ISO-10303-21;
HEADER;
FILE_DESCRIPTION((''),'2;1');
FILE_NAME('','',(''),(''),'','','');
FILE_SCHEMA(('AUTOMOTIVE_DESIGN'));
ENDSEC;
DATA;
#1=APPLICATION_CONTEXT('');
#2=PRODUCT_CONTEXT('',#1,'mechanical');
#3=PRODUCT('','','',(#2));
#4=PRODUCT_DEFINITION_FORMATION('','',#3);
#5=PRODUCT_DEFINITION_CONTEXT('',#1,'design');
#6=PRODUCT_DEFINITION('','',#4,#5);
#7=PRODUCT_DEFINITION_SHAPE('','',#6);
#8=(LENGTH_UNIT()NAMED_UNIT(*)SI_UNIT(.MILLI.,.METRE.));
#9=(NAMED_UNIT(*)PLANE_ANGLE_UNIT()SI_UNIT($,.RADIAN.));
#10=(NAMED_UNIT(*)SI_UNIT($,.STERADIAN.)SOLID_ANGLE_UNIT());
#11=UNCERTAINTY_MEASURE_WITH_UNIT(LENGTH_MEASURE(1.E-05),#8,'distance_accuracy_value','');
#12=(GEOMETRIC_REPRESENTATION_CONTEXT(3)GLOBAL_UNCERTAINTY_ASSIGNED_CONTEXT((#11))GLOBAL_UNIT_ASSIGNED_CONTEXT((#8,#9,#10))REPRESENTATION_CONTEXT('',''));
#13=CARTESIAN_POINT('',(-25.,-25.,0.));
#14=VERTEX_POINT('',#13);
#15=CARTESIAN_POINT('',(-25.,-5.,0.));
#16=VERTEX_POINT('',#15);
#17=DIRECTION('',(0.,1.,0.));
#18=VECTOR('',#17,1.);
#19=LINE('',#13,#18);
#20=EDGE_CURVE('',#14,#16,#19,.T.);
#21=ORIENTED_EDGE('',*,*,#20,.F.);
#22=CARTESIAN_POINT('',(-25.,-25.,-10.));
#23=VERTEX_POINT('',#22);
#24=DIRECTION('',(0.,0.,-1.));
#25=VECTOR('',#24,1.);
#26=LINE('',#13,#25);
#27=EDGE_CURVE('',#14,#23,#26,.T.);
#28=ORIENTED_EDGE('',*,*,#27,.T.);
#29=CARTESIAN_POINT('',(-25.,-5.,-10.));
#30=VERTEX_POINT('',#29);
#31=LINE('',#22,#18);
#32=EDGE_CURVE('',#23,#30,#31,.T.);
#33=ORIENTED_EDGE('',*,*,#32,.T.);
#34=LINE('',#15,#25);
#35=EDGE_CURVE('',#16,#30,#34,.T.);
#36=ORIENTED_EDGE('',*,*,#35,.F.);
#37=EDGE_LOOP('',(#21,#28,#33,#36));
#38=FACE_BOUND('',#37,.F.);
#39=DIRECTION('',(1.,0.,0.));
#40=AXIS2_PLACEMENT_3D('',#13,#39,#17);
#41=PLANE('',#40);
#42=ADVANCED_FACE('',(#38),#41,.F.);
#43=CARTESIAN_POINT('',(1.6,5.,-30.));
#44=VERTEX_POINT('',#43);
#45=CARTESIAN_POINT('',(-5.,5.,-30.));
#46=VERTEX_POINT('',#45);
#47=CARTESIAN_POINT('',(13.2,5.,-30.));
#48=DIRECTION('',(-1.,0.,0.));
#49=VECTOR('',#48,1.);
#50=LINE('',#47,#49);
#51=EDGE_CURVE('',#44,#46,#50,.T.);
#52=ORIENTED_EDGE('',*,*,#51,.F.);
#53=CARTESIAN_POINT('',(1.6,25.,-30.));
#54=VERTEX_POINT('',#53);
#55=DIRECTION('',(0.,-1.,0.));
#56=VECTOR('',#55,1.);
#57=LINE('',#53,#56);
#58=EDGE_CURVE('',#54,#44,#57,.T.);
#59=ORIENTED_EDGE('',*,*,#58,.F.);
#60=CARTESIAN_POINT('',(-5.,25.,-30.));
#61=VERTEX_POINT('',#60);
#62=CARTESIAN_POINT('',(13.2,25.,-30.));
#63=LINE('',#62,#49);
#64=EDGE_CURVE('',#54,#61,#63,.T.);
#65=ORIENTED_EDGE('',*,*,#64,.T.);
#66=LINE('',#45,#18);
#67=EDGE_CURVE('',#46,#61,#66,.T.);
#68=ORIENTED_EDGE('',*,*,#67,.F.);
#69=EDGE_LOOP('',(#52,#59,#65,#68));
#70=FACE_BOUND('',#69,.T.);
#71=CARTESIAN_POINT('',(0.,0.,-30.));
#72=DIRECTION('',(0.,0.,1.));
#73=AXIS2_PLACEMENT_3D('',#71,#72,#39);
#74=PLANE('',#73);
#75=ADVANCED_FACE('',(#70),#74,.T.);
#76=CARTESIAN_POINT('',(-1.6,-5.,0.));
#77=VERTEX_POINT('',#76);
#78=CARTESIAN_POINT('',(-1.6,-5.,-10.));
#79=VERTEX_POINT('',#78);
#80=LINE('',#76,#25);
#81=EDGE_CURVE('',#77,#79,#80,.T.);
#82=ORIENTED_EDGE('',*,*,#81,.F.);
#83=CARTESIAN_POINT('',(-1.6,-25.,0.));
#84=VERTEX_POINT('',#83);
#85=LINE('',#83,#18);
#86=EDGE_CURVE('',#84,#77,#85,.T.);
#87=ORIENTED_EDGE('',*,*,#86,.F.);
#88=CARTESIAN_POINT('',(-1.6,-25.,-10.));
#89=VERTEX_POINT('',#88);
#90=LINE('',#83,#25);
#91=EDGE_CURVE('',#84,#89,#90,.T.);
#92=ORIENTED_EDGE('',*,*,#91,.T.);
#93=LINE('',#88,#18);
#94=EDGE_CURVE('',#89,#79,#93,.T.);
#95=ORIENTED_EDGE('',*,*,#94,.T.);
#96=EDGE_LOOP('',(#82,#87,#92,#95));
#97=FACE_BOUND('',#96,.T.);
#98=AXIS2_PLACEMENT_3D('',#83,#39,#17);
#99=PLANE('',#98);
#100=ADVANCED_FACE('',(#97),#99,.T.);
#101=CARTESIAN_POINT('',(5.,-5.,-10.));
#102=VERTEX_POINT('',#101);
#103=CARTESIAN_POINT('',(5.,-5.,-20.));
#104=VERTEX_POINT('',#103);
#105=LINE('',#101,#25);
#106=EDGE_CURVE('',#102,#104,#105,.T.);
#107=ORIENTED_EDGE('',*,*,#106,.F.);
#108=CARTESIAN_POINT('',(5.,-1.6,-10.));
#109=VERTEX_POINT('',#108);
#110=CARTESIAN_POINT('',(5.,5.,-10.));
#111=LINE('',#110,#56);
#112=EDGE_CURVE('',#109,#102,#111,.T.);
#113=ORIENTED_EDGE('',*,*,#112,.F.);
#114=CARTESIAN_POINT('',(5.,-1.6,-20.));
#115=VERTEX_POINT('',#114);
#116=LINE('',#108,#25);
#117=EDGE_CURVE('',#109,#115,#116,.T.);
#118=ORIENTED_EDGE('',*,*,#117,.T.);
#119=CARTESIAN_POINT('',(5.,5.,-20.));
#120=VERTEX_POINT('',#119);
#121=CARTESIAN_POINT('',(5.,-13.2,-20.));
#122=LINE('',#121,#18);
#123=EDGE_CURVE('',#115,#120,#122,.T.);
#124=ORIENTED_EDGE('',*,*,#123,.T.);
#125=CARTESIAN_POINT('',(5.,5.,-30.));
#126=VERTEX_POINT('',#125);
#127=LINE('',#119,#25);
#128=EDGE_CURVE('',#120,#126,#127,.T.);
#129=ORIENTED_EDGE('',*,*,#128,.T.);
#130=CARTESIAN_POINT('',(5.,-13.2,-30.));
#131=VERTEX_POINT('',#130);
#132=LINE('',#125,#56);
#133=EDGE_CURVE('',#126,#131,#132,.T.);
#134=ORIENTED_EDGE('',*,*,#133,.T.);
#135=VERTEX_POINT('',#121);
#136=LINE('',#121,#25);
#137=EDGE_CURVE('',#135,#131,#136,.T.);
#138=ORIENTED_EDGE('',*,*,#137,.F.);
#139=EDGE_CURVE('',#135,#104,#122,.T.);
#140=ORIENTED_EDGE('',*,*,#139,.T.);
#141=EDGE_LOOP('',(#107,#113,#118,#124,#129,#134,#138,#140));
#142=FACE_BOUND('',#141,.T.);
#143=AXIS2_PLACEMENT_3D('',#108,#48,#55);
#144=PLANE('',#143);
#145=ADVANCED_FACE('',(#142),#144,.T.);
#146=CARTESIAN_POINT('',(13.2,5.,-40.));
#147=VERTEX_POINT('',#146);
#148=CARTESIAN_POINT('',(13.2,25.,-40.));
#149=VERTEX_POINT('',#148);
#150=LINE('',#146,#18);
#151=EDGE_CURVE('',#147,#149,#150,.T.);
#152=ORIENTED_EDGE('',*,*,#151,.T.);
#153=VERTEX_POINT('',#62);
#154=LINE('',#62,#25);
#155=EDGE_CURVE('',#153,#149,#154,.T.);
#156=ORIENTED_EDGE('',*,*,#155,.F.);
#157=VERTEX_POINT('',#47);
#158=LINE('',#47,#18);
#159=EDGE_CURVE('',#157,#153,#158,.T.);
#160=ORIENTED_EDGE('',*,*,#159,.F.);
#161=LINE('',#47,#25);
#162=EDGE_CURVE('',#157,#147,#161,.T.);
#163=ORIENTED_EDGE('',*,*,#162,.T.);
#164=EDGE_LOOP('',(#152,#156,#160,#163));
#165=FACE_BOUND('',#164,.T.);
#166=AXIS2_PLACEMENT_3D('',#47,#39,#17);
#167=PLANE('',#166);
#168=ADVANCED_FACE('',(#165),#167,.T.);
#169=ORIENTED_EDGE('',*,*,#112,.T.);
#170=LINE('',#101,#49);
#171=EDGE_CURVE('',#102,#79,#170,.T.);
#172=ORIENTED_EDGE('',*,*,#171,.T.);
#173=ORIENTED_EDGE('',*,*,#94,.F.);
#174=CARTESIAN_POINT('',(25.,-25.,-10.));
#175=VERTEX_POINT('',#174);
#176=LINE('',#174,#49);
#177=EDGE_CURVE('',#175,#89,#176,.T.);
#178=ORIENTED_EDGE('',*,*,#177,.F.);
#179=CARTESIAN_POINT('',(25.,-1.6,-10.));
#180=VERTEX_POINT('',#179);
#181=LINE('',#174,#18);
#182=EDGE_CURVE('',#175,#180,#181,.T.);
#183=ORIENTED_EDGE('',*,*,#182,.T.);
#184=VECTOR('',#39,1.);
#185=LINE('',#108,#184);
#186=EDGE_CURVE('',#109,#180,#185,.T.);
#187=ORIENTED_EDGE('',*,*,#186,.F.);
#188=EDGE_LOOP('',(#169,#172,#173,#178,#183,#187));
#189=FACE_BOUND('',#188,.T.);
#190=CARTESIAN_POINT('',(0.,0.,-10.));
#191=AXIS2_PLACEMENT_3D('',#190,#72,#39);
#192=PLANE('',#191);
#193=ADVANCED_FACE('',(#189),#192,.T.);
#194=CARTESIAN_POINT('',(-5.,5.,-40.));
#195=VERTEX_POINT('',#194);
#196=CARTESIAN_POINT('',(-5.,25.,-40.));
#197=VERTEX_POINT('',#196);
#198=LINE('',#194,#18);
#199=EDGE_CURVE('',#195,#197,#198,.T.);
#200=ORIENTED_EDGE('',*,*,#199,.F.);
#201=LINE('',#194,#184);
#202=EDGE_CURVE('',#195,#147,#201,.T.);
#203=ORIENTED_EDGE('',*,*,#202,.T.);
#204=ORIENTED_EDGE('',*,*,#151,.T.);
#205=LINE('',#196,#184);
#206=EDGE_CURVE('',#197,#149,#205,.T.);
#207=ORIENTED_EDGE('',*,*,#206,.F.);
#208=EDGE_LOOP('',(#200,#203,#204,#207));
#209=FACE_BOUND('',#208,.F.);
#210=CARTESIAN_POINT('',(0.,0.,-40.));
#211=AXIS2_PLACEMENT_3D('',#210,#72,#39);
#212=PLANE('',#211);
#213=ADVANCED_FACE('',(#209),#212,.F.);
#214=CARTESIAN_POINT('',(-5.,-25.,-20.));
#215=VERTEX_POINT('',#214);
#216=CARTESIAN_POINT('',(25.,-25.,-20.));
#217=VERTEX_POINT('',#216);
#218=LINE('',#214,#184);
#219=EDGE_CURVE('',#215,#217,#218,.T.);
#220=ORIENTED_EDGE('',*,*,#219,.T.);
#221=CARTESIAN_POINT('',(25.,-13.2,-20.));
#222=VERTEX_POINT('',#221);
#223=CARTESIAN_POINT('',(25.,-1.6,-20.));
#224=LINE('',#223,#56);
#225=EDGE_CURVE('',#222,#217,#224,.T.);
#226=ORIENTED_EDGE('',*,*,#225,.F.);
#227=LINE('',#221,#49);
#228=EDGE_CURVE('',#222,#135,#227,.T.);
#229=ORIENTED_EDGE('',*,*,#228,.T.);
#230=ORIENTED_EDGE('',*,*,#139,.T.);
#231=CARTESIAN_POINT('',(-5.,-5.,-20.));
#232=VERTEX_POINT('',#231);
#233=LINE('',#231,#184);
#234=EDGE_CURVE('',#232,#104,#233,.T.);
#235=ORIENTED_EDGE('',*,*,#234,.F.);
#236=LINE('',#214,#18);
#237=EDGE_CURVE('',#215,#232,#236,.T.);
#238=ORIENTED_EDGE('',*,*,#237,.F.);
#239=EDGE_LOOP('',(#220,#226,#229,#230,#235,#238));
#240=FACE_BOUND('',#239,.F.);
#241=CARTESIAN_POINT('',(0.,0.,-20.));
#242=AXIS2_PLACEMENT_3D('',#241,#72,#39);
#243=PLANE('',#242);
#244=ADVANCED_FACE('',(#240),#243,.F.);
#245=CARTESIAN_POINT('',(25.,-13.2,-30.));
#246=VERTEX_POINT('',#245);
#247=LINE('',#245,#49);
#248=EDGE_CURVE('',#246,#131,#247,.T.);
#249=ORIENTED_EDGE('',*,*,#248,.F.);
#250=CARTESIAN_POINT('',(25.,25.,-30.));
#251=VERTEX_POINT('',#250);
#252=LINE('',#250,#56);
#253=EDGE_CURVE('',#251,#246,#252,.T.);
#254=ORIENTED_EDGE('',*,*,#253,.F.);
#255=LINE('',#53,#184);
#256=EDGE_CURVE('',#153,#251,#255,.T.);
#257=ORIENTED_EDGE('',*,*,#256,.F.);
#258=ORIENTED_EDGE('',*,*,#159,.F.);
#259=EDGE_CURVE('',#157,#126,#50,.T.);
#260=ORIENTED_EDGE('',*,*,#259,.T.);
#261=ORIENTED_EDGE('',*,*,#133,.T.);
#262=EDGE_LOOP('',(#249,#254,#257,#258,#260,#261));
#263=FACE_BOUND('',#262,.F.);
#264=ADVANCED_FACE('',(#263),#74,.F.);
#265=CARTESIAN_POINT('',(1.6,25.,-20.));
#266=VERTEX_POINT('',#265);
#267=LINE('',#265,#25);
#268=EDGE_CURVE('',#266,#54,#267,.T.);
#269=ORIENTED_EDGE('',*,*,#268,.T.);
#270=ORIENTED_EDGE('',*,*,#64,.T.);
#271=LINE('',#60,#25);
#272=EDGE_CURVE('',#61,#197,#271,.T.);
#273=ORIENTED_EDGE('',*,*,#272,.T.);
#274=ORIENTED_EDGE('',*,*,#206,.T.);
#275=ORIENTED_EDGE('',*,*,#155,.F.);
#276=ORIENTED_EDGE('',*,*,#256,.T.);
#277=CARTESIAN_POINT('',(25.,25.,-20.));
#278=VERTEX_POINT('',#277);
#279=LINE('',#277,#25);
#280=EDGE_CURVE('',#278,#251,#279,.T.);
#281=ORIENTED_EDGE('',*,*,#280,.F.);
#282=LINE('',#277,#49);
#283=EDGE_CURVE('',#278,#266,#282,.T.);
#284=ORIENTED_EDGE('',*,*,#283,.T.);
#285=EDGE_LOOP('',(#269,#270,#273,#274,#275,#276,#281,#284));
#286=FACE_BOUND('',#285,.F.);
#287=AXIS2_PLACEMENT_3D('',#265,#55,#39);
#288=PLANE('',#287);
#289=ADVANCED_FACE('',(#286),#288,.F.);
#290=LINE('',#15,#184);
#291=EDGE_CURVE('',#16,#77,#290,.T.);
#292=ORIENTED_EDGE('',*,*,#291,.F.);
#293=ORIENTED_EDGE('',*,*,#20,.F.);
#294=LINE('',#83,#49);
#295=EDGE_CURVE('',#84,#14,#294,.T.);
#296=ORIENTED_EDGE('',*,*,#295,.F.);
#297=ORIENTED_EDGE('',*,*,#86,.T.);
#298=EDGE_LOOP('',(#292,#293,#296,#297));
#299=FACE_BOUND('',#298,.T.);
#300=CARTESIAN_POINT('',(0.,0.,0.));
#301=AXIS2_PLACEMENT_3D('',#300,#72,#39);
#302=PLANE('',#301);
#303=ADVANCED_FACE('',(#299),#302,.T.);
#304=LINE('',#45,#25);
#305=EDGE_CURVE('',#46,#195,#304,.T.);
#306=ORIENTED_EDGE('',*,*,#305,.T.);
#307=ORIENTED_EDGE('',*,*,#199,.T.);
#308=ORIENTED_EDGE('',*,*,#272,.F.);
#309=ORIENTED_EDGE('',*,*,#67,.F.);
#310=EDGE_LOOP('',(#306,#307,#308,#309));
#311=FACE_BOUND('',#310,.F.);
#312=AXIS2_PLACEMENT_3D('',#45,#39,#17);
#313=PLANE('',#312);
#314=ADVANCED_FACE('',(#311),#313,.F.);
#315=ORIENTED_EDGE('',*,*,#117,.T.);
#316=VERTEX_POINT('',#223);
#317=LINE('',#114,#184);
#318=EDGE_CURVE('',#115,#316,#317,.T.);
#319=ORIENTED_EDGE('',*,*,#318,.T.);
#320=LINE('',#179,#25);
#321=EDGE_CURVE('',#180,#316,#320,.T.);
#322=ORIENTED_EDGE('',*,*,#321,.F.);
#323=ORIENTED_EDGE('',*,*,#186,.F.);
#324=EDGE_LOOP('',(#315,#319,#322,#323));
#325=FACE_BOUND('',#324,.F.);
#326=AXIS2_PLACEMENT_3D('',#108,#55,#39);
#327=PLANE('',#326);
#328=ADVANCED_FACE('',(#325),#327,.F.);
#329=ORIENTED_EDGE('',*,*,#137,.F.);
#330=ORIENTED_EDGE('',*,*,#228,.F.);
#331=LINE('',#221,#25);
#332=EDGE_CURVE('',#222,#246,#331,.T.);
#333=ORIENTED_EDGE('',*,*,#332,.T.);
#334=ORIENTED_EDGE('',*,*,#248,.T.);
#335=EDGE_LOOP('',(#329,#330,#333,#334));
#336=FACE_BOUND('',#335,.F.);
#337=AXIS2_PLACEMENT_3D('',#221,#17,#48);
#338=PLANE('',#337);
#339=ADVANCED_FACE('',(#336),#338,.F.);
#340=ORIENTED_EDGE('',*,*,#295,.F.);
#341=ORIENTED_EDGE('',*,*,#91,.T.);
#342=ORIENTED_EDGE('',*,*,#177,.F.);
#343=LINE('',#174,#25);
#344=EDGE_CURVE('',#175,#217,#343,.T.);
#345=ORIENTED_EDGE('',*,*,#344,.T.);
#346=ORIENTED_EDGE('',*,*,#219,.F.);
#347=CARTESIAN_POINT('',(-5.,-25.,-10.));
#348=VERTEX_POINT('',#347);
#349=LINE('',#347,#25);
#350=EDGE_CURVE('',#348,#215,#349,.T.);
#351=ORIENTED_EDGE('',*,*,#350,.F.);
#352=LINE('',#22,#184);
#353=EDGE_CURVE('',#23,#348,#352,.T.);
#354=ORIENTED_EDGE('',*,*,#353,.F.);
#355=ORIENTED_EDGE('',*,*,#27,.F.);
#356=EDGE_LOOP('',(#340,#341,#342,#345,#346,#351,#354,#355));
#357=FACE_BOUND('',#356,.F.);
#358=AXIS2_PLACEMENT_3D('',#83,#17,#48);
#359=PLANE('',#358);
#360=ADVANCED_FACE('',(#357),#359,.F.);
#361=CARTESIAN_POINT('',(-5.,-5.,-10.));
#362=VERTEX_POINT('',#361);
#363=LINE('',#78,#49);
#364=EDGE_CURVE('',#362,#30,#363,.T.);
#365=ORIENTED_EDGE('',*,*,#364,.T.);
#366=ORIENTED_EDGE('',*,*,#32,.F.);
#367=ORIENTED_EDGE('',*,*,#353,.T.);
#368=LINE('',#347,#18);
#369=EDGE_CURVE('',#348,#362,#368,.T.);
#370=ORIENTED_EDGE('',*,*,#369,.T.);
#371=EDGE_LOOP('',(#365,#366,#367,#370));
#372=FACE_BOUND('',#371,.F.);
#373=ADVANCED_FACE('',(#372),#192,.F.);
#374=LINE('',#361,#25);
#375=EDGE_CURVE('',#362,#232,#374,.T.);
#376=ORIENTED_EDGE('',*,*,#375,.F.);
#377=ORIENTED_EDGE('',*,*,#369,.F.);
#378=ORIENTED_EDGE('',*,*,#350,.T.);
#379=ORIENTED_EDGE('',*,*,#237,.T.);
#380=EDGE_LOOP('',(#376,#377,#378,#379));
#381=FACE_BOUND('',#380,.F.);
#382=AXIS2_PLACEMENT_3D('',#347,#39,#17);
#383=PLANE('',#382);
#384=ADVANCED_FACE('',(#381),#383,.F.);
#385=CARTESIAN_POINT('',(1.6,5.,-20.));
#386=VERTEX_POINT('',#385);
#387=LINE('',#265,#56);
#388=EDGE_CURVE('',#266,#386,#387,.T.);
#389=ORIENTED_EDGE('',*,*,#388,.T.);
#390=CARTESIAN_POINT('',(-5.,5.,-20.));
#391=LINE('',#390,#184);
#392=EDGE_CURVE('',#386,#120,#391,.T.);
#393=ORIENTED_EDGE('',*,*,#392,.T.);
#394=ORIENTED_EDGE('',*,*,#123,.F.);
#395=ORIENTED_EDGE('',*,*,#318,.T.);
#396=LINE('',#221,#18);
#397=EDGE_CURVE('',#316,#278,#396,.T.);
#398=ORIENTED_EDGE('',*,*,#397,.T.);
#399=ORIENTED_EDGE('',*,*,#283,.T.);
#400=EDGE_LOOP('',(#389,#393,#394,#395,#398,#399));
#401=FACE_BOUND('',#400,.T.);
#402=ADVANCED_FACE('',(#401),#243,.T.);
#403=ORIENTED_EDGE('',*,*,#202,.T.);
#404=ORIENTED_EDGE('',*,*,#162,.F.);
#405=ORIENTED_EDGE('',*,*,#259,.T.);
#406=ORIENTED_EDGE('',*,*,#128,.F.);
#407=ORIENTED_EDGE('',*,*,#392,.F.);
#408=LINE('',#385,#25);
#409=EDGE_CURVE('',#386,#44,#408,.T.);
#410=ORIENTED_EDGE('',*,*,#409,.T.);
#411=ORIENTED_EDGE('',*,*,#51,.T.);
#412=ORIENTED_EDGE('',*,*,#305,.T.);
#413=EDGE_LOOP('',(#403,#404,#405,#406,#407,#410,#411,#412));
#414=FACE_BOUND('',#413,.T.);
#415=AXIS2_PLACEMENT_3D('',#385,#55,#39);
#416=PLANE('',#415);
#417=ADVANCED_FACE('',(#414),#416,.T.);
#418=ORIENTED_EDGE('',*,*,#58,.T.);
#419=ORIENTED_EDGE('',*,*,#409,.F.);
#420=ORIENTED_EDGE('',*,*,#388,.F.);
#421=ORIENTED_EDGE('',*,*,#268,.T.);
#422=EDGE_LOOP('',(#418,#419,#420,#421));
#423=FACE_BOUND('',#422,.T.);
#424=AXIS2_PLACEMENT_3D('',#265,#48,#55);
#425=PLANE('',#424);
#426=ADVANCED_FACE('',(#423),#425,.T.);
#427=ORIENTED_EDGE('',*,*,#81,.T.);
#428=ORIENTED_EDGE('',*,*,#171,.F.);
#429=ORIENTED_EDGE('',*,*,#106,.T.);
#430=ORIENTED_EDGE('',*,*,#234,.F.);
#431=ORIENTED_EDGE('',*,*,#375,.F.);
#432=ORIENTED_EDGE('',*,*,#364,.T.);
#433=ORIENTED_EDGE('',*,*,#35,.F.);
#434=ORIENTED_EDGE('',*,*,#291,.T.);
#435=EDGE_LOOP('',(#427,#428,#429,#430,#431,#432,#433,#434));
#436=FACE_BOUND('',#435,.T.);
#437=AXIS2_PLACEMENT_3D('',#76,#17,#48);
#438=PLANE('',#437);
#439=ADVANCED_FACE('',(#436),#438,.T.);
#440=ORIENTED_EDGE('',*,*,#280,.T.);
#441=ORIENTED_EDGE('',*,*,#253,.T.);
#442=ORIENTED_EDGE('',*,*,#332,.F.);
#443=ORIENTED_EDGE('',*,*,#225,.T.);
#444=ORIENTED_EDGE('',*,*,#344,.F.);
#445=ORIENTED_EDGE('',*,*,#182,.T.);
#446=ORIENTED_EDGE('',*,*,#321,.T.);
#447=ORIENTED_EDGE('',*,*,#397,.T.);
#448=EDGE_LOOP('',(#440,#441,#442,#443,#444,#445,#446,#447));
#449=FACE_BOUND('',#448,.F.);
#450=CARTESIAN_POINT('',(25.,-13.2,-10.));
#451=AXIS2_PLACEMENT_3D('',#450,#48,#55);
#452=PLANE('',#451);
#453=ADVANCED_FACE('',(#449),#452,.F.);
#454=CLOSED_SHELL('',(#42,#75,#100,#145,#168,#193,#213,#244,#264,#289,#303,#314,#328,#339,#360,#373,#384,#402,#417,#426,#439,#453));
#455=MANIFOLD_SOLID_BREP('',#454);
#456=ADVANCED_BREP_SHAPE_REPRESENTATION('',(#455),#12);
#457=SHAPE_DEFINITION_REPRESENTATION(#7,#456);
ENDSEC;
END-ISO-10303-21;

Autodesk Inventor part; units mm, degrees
ref_plane "YZ Plane" through (0, 0, 0) normal (1, 0, 0) x (0, 1, 0)
ref_plane "XZ Plane" through (0, 0, 0) normal (0, 1, 0) x (-1, 0, 0)
ref_plane "XY Plane" through (0, 0, 0) normal (0, 0, 1) x (1, 0, 0)
sketch "草圖15" plane through (0, 0, 0) normal (0, 0, 1) x (1, 0, 0)
  line L0 (5, -5) -> (-5, -5)
  line L1 (-5, -5) -> (-5, 5)
  line L2 (-5, 5) -> (5, 5)
  line L3 (5, 5) -> (5, -5)
  line L4 (5, -5) -> (-5, 5) construction
  line L5 (-5, -5) -> (5, 5) construction
  line L6 (25, -25) -> (-25, -25)
  line L7 (-25, -25) -> (-25, 25)
  line L8 (-25, 25) -> (25, 25)
  line L9 (25, 25) -> (25, -25)
  line L10 (25, -25) -> (-25, 25) construction
  line L11 (-25, -25) -> (25, 25) construction
  line L12 (-25, -25) -> (-1.6, -25)
  line L13 (-1.6, -25) -> (-1.6, -5)
  line L14 (-1.6, -5) -> (-25, -5)
  line L15 (-25, -5) -> (-25, -25)
  line L16 (25, -25) -> (-1.6, -25)
  line L17 (-1.6, -5) -> (25, -5)
  line L18 (25, -5) -> (25, -25)
  line L19 (25, -25) -> (5, -25)
  line L20 (5, -25) -> (5, -1.6)
  line L21 (5, -1.6) -> (25, -1.6)
  line L22 (25, -1.6) -> (25, -25)
  line L23 (25, 25) -> (5, 25)
  line L24 (5, 25) -> (5, -1.6)
  line L25 (25, -1.6) -> (25, 25)
  line L26 (25, 25) -> (1.6, 25)
  line L27 (1.6, 25) -> (1.6, 5)
  line L28 (1.6, 5) -> (25, 5)
  line L29 (25, 5) -> (25, 25)
  line L30 (-25, 25) -> (1.6, 25)
  line L31 (1.6, 5) -> (-25, 5)
  line L32 (-25, 5) -> (-25, 25)
  line L33 (-5, -5) -> (-25, -5)
  line L34 (-25, -5) -> (-25, -25)
  line L35 (-25, -25) -> (-5, -25)
  line L36 (-5, -25) -> (-5, -5)
  line L37 (-1.6, -25) -> (-13.2, -25)
  line L38 (-13.2, -25) -> (-13.2, -5)
  line L39 (-13.2, -5) -> (-1.6, -5)
  line L40 (-1.6, -5) -> (-1.6, -25)
  line L41 (5, -1.6) -> (25, -1.6)
  line L42 (25, -1.6) -> (25, -13.2)
  line L43 (25, -13.2) -> (5, -13.2)
  line L44 (5, -13.2) -> (5, -1.6)
  line L45 (1.6, 5) -> (13.2, 5)
  line L46 (13.2, 5) -> (13.2, 25)
  line L47 (13.2, 25) -> (1.6, 25)
  line L48 (1.6, 25) -> (1.6, 5)
  line L49 (1.6, 5) -> (-5, 5)
  line L50 (-5, 5) -> (-5, 25)
  line L51 (-5, 25) -> (1.6, 25)
  line L52 (1.6, 25) -> (1.6, 5)
  point P0 (0, 0)
  point P1 (0, 0)
  point P2 (-1.6, -25)
  point P3 (-25, 5)
  point P4 (-5, 5)
  point P5 (-5, -25)
  point P6 (5, 5)
  point P7 (-5, -25)
  point P8 (-13.2, -25)
  point P9 (25, -13.2)
  point P10 (-5, 25)
  point P11 (-5, 5)
  point P12 (5, 5)
  point P13 (13.2, 5)
  point P14 (13.2, 25)
  dimension "d38" = 10
  dimension "d39" = 20
  dimension "d40" = 1.6
  dimension "d42" = 1.6
  dimension "d48" = 1.6
  dimension "d54" = 0
  dimension "d55" = 11.6
  dimension "d56" = 11.6
  dimension "d57" = 11.6
  dimension "d58" = 10
extrude "擠出10" add sketch "草圖15" against normal blind 10 contours L13 L6 L36 L0 | L36 L6 L38 L14 | L38 L6 L7 L14
extrude "擠出11" add sketch "草圖15" against normal blind 10 from surface at -10 contours L20 L6 L13 L0 | L3 L21 L9 L17 | L17 L9 L43 L20 | L13 L6 L36 L0 | L43 L9 L6 L20
extrude "擠出12" add sketch "草圖15" against normal blind 10 from surface at -20 contours L3 L21 L9 L17 | L17 L9 L43 L20 | L3 L28 L9 L21 | L2 L27 L8 L24 | L24 L8 L46 L28 | L46 L8 L9 L28
extrude "擠出13" add sketch "草圖15" against normal blind 10 from surface at -30 contours L2 L27 L8 L24 | L24 L8 L46 L28 | L50 L8 L27 L2
equation "\"d39\" = width"
equation "\"d40\" = gap"
equation "\"d42\" = gap"
equation "\"d48\" = gap"
equation "\"d55\" = stack"
equation "\"d56\" = stack"
equation "\"d57\" = stack"
equation "\"d44\" = height"
equation "\"d46\" = height"
equation "\"d50\" = height"
equation "\"d52\" = height"
equation "\"width\" = 20"
equation "\"height\" = 10"
equation "\"gap\" = 1.6"
equation "\"stack\" = 11.6"
properties part number "Template_ladder_2"
